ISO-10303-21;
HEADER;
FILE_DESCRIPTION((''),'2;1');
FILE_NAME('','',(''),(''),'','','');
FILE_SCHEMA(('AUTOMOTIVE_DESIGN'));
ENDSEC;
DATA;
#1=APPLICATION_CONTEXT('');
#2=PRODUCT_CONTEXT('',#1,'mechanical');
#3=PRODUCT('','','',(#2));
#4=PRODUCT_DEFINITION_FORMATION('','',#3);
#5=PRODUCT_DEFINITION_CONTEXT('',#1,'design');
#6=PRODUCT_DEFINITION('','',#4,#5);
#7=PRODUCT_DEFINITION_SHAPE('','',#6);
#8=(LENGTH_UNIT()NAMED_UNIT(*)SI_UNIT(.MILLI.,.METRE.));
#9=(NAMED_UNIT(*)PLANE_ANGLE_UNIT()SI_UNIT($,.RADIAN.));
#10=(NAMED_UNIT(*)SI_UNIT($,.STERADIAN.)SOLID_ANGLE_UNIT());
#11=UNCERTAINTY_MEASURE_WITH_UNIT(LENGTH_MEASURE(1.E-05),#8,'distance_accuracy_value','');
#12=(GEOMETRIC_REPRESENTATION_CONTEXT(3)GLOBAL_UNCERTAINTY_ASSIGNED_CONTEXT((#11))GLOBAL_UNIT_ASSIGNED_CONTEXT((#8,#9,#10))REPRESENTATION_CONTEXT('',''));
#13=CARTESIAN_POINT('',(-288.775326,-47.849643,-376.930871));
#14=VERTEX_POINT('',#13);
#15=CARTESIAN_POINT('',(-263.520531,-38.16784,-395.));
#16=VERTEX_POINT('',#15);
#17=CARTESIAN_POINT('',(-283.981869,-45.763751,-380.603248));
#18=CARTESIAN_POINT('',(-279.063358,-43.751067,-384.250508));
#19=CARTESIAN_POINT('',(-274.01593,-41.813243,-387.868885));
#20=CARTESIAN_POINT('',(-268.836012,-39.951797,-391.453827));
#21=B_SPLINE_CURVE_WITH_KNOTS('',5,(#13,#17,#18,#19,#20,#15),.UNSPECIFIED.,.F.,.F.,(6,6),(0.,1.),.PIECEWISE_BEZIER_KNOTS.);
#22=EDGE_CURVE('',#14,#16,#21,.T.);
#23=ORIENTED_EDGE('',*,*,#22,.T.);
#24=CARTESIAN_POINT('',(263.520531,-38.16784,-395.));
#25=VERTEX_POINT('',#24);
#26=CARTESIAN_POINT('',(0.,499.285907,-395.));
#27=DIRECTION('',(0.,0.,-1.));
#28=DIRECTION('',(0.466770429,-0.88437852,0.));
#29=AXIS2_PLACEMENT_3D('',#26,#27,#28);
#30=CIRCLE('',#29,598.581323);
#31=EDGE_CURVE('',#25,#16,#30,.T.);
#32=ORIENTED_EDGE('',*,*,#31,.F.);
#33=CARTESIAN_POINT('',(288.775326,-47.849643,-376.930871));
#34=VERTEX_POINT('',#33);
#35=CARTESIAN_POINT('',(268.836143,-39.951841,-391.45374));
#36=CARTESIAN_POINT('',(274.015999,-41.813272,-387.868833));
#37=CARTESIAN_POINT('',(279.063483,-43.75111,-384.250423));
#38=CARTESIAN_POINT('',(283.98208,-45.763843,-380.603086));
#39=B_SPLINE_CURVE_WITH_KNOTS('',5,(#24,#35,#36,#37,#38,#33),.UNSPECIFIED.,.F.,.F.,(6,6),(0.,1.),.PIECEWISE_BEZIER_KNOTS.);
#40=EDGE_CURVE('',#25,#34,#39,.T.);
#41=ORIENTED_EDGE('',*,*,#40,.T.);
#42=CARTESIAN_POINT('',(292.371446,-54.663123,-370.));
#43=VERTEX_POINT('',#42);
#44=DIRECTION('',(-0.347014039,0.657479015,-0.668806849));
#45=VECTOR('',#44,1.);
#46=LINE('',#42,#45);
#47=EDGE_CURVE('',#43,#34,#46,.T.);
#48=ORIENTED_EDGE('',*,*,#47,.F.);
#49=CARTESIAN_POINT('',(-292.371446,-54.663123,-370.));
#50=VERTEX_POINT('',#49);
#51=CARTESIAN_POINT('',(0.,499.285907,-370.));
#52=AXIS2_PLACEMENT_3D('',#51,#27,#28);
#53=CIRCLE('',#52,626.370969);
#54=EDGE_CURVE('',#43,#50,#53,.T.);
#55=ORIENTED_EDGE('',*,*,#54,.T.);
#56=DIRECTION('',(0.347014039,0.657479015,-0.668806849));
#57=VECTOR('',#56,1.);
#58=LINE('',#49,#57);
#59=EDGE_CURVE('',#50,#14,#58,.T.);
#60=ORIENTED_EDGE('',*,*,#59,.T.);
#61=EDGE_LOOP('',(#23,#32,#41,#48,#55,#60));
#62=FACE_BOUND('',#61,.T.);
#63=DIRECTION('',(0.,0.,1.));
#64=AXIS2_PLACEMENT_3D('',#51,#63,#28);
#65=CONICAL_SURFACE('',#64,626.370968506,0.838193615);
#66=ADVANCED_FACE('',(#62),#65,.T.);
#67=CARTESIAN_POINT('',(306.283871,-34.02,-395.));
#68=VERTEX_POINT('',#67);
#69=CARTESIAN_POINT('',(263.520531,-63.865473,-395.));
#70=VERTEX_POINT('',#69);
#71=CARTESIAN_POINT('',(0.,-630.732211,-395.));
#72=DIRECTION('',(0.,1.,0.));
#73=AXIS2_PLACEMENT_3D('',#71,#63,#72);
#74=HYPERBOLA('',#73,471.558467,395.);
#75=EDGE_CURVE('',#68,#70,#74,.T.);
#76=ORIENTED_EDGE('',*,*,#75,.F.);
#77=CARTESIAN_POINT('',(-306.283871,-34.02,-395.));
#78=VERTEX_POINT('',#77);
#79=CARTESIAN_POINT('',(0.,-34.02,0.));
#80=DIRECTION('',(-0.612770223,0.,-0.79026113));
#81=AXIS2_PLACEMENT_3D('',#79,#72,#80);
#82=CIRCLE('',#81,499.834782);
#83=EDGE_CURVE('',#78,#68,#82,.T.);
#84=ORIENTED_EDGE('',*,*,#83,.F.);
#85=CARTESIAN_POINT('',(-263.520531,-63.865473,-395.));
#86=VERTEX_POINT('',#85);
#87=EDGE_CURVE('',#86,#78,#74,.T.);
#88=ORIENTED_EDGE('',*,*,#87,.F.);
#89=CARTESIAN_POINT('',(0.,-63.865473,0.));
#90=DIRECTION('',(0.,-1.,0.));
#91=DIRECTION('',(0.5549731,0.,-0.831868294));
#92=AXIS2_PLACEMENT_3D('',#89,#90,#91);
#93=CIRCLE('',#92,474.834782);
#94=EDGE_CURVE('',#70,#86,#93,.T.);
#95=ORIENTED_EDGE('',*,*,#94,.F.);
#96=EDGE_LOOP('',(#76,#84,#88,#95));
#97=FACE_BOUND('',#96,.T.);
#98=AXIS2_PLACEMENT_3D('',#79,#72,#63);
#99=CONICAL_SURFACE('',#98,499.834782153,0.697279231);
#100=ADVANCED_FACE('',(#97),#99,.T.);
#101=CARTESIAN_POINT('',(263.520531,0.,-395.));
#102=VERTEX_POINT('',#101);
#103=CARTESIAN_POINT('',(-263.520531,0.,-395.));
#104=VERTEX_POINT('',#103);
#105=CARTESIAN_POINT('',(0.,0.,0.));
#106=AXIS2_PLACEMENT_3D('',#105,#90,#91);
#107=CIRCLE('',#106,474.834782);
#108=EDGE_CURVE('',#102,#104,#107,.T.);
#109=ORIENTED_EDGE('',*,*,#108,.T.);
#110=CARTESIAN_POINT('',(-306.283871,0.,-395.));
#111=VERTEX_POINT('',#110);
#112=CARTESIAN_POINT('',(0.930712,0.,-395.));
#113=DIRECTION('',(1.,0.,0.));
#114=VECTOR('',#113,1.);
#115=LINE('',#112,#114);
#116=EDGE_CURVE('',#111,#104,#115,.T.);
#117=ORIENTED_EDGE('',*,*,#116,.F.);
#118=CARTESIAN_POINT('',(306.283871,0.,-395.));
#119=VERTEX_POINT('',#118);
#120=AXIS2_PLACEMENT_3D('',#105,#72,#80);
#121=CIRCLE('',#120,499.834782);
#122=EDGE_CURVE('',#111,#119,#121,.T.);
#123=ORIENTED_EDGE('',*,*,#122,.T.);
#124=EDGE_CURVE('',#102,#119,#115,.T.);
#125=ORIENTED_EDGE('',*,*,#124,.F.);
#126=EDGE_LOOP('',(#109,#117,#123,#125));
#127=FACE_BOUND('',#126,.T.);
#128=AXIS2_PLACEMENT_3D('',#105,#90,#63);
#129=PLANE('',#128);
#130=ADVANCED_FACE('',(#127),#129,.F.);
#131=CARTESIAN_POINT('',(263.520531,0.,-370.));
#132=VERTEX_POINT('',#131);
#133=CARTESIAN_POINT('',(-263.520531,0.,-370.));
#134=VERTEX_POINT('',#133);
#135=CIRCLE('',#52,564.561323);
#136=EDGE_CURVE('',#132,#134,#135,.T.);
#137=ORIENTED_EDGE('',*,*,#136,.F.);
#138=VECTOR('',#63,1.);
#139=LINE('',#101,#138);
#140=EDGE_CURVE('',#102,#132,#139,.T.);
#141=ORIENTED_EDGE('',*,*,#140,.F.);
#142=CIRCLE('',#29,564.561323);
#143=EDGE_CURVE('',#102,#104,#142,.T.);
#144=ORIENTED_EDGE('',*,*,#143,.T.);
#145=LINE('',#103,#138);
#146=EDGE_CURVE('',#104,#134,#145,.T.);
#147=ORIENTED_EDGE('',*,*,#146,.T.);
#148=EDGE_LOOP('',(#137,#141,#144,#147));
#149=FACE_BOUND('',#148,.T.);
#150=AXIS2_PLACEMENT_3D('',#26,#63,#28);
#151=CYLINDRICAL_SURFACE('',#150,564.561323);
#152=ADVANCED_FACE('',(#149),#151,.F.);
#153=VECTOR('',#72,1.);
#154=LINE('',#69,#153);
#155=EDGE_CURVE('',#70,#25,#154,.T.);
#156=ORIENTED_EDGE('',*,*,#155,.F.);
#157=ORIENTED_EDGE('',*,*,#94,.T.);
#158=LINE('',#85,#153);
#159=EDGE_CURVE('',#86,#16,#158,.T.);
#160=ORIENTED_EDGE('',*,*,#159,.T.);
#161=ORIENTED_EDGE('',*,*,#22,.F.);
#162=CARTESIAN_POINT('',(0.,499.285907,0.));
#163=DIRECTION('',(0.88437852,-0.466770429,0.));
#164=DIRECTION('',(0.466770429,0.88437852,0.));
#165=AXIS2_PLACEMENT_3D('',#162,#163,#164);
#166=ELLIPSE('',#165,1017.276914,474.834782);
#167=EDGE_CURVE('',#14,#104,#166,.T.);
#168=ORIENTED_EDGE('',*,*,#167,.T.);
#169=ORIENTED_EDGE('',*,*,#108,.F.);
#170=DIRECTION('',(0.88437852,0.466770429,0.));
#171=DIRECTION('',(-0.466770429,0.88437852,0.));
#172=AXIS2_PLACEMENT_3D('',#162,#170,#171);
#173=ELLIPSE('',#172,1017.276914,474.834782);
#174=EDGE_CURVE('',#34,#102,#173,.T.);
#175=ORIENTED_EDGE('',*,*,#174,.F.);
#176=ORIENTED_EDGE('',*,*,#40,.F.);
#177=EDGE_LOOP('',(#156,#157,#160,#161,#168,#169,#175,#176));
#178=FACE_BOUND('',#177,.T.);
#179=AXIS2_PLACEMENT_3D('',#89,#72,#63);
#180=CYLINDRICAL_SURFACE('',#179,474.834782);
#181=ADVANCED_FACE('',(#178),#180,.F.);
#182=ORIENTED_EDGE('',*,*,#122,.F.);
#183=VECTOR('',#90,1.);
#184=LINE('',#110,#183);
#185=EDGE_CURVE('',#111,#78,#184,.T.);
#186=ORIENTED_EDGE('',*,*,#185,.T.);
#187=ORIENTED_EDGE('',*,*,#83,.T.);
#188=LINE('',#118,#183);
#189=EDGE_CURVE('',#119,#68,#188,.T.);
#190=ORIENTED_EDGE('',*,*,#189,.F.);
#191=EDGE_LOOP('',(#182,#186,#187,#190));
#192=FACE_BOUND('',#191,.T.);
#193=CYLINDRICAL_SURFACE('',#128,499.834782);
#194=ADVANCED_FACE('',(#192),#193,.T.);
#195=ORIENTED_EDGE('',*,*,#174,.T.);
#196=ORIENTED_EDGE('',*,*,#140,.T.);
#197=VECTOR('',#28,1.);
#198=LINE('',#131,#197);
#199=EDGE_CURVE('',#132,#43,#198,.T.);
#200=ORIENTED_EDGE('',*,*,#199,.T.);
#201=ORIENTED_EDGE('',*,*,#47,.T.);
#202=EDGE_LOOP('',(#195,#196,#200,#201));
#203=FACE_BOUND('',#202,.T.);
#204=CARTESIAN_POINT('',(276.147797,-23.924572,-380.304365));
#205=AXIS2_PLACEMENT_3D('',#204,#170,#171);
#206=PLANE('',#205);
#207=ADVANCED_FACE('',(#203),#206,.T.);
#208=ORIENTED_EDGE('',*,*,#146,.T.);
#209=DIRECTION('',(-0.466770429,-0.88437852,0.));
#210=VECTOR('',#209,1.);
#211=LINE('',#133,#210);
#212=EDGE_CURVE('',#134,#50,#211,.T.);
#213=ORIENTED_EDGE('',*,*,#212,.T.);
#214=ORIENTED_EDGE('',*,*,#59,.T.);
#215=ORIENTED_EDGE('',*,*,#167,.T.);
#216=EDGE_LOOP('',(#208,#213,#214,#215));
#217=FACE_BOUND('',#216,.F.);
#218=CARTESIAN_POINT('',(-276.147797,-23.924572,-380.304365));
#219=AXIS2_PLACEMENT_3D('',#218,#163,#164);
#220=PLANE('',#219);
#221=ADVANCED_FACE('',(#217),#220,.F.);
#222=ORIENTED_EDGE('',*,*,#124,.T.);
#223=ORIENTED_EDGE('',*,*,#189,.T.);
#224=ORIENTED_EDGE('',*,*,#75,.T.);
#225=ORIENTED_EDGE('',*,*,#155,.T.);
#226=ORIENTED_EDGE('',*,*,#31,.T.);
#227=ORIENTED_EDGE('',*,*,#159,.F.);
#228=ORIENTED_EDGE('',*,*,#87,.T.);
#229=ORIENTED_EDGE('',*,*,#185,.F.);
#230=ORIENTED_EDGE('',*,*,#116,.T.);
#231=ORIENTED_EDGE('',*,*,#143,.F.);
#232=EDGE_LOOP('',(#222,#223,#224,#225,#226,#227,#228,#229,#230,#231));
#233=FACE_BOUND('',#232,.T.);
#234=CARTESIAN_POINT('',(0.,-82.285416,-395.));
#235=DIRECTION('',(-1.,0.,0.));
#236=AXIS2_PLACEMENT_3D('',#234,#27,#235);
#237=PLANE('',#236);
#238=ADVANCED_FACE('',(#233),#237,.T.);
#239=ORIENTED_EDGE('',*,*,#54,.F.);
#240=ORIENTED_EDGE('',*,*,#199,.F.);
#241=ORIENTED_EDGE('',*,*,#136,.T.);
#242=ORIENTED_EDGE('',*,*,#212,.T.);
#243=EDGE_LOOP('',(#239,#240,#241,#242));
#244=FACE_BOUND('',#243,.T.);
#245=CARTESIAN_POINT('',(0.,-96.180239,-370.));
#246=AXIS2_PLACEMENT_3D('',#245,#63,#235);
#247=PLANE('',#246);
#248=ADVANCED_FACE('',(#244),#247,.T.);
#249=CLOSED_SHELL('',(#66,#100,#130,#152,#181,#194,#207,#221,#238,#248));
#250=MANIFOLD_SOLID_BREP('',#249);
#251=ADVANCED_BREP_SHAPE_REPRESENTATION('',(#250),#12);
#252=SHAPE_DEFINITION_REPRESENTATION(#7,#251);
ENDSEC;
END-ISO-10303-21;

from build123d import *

# Parameters (mm, degrees)
F3_W     = 673.8248765469
F3_H     = 114.0088248253
F4_DEPTH = 253


with BuildPart() as f2:
    # F1 (on Right) → F2 (revolve)
    with BuildSketch(Plane.YZ):
        Polygon((0, 474.8347821527), (0, 499.8347821527), (-34.02, 499.8347821527), (-63.8654725708, 474.8347821527), align=None)
    revolve(axis=Axis((0, 1.7310532815, 0), (0, -1, 0)))

    # F3 (on Front) → F4 (cut)
    with BuildSketch(Plane.XZ):
        with Locations((0.930711627, -452.0044124126)):
            Rectangle(F3_W, F3_H)
    extrude(amount=F4_DEPTH, mode=Mode.SUBTRACT)

    # F8: sweep along a path in F6
    with BuildLine(Plane.XY.offset(-395)) as f8_path:
        ThreePointArc((263.5205311585, 0), (0, -65.2754158494), (-263.5205311585, 0))
    # F7 (on Right) → F8 (sweep)
    with BuildSketch(Plane.YZ):
        Polygon((-65.2754158494, -395), (-65.2754158494, -370), (-127.0850614031, -370), (-99.2954158494, -395), align=None)
    sweep(path=f8_path.line)


solid = f2.part
